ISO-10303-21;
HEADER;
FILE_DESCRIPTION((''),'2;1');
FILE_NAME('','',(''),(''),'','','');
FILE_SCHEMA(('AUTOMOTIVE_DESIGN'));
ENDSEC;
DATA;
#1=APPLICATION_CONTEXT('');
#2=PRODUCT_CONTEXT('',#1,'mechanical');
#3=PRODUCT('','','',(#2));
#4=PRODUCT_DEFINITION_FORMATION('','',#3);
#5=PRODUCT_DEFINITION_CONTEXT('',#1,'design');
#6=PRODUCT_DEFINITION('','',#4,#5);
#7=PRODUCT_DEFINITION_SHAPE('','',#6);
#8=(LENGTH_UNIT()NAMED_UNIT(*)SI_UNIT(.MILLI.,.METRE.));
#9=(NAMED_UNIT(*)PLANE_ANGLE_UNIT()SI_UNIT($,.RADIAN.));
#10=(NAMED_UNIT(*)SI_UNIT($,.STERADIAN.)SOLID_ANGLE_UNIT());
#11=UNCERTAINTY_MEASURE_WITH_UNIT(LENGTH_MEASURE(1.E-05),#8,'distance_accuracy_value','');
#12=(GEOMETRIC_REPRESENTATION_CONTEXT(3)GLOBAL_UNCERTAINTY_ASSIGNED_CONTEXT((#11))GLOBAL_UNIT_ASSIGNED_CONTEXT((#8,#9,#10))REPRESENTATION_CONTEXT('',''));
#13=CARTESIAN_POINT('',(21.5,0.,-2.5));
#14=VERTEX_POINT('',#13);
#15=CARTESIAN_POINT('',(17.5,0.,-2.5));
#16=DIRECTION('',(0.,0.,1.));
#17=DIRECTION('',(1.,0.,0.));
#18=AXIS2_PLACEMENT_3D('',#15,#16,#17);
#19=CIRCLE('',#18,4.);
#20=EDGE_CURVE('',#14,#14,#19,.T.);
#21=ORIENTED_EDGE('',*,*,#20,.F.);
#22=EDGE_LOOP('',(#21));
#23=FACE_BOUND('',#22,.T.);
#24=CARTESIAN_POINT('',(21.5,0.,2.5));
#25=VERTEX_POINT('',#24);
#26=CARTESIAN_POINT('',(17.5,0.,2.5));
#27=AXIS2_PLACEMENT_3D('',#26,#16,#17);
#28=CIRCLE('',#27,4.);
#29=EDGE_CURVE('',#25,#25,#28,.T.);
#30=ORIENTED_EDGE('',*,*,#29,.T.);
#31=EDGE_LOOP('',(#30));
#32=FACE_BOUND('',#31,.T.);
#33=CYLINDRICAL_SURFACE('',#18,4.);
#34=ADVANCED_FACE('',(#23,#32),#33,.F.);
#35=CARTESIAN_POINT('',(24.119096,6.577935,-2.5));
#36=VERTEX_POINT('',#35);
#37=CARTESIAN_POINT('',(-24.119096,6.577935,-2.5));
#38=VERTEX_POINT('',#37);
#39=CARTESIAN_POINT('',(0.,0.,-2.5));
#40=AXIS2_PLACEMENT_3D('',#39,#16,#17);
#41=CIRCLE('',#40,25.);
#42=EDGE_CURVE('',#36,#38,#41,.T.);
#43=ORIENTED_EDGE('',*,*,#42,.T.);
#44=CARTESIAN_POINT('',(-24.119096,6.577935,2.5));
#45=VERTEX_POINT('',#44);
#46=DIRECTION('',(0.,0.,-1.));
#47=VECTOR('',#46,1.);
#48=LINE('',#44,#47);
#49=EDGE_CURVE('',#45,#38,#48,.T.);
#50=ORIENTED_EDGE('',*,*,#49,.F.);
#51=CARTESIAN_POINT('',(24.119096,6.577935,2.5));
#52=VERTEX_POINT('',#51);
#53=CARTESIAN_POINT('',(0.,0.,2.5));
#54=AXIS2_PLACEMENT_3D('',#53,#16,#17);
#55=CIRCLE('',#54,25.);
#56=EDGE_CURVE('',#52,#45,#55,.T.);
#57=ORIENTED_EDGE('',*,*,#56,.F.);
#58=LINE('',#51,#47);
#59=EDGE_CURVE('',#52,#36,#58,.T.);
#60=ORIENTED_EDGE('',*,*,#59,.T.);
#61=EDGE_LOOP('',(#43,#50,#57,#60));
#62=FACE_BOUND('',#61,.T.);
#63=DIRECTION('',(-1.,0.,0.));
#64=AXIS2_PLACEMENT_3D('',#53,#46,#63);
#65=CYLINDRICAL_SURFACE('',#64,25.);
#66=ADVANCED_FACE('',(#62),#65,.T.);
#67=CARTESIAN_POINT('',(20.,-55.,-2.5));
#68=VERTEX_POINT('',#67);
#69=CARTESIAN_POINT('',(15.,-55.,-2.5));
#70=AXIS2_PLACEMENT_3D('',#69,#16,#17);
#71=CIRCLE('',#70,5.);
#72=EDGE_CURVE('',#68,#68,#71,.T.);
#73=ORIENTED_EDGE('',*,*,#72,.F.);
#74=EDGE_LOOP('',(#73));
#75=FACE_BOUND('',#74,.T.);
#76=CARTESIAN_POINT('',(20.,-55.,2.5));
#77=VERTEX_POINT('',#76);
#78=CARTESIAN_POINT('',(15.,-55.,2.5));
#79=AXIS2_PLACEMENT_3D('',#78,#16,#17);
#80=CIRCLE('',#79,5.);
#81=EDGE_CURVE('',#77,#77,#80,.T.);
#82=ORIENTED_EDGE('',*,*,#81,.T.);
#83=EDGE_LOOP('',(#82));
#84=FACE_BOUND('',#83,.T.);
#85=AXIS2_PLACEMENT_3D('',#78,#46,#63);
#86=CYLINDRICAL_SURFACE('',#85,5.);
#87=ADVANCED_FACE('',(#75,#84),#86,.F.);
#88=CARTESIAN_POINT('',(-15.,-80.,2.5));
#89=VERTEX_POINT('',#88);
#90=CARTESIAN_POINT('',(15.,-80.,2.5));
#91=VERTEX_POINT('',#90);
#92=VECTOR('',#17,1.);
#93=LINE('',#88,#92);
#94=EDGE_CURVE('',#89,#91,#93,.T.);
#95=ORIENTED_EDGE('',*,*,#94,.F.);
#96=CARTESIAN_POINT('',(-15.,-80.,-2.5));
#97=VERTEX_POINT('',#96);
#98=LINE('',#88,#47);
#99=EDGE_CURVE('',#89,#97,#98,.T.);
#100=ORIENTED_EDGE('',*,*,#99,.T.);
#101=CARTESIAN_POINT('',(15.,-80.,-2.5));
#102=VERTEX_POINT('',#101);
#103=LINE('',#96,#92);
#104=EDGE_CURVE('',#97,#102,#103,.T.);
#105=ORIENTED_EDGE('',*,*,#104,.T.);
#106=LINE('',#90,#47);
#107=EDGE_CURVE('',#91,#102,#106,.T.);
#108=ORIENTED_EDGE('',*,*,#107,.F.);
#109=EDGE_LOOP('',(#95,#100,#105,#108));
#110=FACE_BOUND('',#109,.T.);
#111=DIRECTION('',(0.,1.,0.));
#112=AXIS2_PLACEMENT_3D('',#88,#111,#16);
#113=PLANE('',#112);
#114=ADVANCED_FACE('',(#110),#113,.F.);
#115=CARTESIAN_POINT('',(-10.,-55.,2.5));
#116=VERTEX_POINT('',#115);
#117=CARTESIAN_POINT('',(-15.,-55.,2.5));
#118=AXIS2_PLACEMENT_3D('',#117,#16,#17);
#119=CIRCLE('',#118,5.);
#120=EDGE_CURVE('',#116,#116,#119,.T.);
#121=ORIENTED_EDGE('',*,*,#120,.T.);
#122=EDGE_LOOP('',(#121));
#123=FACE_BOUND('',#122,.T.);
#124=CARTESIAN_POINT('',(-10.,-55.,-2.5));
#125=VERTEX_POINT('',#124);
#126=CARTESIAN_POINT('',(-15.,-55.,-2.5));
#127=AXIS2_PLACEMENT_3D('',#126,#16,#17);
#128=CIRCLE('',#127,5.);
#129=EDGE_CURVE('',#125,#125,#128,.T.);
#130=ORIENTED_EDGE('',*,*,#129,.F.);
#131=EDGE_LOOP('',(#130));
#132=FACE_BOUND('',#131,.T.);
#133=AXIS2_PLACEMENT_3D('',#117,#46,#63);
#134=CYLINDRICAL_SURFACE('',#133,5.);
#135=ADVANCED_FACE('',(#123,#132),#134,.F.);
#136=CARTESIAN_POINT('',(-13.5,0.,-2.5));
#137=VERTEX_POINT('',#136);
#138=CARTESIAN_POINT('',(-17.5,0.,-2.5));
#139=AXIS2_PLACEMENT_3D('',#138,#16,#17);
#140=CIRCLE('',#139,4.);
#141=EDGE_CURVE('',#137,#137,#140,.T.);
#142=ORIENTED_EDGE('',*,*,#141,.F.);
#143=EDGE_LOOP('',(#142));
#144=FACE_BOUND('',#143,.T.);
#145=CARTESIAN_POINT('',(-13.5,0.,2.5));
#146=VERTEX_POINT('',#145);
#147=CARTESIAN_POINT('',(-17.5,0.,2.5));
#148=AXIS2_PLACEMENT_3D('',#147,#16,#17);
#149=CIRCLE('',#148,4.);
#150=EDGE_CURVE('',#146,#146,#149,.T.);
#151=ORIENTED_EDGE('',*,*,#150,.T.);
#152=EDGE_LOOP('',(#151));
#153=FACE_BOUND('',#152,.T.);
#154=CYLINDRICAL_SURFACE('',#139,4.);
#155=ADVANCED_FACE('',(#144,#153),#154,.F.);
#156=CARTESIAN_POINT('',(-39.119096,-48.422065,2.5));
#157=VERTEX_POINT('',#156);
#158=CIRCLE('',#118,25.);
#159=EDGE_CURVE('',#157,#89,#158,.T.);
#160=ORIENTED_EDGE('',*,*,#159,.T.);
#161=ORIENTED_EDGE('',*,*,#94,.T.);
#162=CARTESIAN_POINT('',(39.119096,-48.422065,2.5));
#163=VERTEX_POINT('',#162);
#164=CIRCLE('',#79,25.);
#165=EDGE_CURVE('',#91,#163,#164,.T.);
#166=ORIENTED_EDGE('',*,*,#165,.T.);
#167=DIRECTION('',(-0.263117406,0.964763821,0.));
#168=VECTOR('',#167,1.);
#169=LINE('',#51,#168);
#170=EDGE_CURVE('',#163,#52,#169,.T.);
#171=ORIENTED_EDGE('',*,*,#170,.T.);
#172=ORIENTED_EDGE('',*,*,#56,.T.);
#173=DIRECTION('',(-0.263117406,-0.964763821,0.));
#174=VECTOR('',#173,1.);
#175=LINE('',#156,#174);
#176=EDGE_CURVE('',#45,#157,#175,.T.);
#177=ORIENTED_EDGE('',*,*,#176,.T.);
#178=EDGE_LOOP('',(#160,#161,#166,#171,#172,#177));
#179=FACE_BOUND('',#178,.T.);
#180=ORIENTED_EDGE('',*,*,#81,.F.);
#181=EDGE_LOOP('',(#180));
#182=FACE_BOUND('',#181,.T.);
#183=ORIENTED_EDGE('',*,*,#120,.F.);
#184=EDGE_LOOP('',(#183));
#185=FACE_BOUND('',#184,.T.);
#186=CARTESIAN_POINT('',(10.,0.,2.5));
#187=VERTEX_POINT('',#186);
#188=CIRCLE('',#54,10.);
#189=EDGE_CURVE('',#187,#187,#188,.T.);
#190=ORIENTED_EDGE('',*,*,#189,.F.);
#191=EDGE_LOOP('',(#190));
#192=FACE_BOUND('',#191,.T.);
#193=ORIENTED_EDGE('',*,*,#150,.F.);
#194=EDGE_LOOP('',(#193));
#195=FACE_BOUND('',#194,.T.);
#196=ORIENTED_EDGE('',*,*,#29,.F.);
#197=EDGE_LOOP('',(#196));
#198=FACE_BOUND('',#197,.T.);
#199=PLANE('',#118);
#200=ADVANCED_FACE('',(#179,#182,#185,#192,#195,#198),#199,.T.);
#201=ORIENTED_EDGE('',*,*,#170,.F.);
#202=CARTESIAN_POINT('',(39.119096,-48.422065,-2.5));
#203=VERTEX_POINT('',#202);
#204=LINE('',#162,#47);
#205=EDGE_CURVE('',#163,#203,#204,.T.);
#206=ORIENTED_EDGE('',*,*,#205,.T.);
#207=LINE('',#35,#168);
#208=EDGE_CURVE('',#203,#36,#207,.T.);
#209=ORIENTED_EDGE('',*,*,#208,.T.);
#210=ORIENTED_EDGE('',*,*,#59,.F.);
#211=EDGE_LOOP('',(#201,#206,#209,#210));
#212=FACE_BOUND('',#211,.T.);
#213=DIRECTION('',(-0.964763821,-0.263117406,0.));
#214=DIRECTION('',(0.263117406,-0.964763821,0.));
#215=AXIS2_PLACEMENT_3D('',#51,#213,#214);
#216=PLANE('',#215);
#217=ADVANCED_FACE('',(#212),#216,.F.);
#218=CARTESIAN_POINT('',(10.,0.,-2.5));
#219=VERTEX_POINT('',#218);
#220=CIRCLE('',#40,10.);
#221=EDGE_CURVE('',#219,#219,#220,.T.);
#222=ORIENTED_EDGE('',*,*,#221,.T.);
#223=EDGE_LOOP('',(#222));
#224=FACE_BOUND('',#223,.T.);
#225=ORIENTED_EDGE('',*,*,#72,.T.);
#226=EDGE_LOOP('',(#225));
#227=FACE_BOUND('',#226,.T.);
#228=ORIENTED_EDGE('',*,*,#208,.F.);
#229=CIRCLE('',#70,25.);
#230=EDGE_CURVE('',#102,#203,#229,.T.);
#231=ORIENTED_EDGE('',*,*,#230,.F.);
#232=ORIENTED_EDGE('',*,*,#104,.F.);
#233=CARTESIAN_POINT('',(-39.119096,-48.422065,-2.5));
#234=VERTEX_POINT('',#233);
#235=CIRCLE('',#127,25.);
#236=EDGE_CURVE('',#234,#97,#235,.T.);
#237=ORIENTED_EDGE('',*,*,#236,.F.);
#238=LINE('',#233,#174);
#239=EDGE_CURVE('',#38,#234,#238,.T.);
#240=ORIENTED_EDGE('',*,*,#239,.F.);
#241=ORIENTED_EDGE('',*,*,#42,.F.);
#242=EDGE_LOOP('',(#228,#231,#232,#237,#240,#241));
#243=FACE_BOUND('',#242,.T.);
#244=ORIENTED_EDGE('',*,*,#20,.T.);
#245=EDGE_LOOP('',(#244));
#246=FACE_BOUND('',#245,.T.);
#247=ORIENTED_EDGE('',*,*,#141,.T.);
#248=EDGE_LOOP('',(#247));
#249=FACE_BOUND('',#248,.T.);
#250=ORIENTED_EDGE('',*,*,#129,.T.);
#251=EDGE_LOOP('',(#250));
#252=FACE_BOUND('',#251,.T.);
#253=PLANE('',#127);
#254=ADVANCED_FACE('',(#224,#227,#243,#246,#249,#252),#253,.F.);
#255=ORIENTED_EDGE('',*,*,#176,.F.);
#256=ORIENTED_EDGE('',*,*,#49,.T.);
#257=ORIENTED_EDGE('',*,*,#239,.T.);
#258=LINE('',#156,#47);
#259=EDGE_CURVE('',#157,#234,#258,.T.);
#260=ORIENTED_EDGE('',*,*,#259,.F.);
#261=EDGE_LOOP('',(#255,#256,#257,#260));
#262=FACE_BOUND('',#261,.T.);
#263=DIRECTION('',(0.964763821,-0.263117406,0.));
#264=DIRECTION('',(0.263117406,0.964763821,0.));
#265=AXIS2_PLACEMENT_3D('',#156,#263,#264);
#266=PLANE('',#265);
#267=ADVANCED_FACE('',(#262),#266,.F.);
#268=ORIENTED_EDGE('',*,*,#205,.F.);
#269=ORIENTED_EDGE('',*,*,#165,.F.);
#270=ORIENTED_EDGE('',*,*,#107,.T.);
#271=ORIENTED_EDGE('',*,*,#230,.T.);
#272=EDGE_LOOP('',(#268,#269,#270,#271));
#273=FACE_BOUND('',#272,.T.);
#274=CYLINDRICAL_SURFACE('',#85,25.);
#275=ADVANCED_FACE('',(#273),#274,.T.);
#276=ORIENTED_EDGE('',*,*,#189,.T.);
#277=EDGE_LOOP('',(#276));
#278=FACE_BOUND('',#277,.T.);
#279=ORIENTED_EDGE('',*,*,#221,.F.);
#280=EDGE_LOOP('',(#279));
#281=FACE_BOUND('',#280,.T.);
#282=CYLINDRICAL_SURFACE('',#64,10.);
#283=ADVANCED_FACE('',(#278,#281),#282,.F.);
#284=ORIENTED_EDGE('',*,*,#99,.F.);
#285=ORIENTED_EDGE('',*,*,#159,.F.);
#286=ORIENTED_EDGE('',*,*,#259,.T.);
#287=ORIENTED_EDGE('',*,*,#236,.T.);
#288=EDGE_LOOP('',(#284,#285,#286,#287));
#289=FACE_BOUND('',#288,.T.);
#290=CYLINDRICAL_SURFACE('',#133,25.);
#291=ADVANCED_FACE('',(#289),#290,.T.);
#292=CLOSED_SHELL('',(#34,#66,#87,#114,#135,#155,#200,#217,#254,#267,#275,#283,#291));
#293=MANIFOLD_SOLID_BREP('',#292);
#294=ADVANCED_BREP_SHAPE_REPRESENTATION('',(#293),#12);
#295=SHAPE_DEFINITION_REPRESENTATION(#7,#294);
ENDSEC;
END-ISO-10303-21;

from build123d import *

# Parameters (mm, degrees)
SKETCH1_R               = 10
SKETCH1_R_2             = 5
BOSS_EXTRUDE2_DEPTH     = 2.5
CUT_EXTRUDE1_DEPTH      = 90.477650841
CUT_EXTRUDE1_DEPTH_BACK = 90.477650841
SKETCH3_R               = 4


with BuildPart() as part:
    # Sketch1 → Boss-Extrude2 (new, symmetric)
    with BuildSketch(Plane.XY):
        with BuildLine():
            Line((-39.119095531, -48.422064855), (-24.119095531, 6.577935145))
            ThreePointArc((-24.119095531, 6.577935145), (0, 25), (24.119095531, 6.577935145))
            Line((24.119095531, 6.577935145), (39.119095531, -48.422064855))
            ThreePointArc((39.119095531, -48.422064855), (34.867666932, -70.174841373), (15, -80))
            Line((15, -80), (-15, -80))
            ThreePointArc((-15, -80), (-34.867666932, -70.174841373), (-39.119095531, -48.422064855))
        make_face()
        Circle(SKETCH1_R, mode=Mode.SUBTRACT)
        with Locations((-15, -55)):
            Circle(SKETCH1_R_2, mode=Mode.SUBTRACT)
        with Locations((15, -55)):
            Circle(SKETCH1_R_2, mode=Mode.SUBTRACT)
    extrude(amount=BOSS_EXTRUDE2_DEPTH, both=True)

    # Sketch3 → Cut-Extrude1 (cut, two sides: drawn at the far end of the back side and taken through both)
    with BuildSketch(Plane.XY.offset(-CUT_EXTRUDE1_DEPTH_BACK)):
        with Locations((17.5, 0)):
            Circle(SKETCH3_R)
        with Locations((-17.5, 0)):
            Circle(SKETCH3_R)
    extrude(amount=CUT_EXTRUDE1_DEPTH + CUT_EXTRUDE1_DEPTH_BACK, mode=Mode.SUBTRACT)


solid = part.part
